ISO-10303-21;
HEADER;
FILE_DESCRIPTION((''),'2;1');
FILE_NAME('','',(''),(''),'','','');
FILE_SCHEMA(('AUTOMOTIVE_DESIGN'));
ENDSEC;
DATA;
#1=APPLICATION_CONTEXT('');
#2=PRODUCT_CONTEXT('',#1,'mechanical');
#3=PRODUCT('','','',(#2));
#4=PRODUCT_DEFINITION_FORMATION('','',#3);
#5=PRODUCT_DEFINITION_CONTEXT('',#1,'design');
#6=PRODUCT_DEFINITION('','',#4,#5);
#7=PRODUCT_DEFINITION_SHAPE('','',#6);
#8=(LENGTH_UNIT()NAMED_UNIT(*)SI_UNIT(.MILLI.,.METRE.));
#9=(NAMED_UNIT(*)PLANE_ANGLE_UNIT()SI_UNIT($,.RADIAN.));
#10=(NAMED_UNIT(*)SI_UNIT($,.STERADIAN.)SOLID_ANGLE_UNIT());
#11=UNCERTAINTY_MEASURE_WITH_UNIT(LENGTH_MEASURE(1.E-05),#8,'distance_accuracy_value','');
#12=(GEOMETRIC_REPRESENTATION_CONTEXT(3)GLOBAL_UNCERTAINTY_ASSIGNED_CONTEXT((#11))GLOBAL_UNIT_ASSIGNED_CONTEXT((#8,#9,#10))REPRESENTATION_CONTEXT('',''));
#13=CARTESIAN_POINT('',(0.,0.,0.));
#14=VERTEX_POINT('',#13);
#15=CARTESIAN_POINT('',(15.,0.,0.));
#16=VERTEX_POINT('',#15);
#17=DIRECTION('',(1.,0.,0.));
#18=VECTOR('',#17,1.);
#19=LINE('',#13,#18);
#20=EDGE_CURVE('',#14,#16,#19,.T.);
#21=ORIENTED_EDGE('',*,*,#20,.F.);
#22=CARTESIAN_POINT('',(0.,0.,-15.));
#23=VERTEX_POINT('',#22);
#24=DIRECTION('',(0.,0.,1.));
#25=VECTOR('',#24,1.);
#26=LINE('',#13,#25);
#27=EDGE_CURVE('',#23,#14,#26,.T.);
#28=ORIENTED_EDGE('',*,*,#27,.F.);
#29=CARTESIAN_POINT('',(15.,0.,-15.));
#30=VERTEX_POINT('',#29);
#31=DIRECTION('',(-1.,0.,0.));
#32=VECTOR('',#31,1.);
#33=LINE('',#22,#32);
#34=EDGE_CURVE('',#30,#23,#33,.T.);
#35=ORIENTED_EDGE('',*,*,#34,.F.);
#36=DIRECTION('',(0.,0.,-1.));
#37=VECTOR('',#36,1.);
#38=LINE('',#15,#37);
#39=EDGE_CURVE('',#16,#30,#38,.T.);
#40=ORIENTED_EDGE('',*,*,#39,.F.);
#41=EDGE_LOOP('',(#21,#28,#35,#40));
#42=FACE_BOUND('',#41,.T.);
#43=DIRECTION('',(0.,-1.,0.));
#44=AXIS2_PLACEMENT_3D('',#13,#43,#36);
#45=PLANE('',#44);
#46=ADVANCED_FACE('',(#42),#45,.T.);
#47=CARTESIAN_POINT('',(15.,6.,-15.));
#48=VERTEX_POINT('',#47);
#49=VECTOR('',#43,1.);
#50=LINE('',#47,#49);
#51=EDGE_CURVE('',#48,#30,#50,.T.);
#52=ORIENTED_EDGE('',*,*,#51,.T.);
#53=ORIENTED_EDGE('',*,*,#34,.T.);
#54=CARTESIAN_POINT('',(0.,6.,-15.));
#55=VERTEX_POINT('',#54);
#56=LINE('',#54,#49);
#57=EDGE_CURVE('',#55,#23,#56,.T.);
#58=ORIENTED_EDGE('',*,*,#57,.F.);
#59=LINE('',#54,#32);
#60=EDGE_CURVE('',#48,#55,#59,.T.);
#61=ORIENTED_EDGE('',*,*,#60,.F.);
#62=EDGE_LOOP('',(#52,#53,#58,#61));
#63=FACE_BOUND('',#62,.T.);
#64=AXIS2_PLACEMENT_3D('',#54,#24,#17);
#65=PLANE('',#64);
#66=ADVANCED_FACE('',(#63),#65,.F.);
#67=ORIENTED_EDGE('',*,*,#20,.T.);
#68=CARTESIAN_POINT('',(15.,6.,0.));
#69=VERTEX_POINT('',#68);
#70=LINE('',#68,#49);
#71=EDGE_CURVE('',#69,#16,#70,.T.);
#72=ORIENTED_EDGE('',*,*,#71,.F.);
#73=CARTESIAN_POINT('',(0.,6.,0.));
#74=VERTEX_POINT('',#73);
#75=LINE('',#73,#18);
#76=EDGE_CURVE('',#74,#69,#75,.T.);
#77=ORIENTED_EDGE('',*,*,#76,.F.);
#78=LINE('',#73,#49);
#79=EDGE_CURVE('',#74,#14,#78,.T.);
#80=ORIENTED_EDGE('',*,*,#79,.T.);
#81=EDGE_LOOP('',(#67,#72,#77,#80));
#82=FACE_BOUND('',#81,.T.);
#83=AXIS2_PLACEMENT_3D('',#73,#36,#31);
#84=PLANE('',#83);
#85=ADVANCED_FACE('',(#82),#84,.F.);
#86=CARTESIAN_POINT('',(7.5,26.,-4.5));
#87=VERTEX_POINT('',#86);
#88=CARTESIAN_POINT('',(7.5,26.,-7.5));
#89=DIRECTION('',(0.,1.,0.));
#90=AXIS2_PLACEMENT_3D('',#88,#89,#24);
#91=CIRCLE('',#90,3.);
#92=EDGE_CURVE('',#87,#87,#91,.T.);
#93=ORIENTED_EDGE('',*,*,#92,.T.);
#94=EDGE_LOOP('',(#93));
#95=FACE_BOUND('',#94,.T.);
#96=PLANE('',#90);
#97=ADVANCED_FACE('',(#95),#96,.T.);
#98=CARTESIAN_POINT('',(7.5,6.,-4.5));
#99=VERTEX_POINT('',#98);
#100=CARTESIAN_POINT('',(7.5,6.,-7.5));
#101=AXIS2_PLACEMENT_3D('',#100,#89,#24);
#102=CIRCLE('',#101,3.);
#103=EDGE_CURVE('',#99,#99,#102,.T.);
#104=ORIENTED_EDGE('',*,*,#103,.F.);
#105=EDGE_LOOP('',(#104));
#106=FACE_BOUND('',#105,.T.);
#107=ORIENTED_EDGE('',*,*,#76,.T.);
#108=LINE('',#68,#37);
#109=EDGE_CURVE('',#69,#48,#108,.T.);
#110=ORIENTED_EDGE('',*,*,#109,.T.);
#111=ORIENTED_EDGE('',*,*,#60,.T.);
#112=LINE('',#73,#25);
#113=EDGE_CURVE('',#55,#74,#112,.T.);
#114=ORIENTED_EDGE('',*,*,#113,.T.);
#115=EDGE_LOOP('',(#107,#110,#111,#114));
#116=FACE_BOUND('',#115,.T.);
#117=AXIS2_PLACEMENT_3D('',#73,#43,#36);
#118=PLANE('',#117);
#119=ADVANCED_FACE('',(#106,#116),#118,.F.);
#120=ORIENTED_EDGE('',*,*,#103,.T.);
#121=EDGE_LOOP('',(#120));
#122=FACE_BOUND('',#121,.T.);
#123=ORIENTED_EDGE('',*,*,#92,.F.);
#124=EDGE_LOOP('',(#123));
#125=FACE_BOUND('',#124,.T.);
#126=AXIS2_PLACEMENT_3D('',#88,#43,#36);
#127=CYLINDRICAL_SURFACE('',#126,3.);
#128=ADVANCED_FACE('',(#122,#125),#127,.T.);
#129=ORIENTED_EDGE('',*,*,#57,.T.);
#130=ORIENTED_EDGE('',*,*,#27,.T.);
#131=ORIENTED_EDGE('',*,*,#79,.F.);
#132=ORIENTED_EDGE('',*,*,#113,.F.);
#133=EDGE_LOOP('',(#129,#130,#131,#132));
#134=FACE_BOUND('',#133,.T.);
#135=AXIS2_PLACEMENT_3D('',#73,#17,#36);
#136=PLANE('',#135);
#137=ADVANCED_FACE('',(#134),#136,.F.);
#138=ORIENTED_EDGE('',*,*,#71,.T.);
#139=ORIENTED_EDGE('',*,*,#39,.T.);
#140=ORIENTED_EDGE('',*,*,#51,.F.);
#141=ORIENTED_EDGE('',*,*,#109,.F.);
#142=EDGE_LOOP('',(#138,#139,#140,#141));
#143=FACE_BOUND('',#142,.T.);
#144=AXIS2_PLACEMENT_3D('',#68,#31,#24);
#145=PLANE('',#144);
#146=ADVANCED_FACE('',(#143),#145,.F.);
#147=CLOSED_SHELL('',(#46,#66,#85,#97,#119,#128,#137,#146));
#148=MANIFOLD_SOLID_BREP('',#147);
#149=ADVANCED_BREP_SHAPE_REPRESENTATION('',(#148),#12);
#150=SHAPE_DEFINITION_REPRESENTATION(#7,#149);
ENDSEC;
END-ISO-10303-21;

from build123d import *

# Parameters (mm, degrees)
SKETCH1_W           = 15
SKETCH1_H           = 15
BOSS_EXTRUDE1_DEPTH = 6
SKETCH2_R           = 3
BOSS_EXTRUDE2_DEPTH = 20


with BuildPart() as part:
    # Sketch1 → Boss-Extrude1 (new body)
    with BuildSketch(Plane(origin=(0, 0, 0), x_dir=(1, 0, 0), z_dir=(0, 1, 0))):
        with Locations((7.5, 7.5)):
            Rectangle(SKETCH1_W, SKETCH1_H)
    extrude(amount=BOSS_EXTRUDE1_DEPTH)

    # Sketch2 → Boss-Extrude2 (add)
    with BuildSketch(Plane(origin=(0, 6, 0), x_dir=(1, 0, 0), z_dir=(0, 1, 0))):
        with Locations(Location((7.5, 7.5, 0), (0, 0, 270))):
            Circle(SKETCH2_R)
    extrude(amount=BOSS_EXTRUDE2_DEPTH)


solid = part.part
